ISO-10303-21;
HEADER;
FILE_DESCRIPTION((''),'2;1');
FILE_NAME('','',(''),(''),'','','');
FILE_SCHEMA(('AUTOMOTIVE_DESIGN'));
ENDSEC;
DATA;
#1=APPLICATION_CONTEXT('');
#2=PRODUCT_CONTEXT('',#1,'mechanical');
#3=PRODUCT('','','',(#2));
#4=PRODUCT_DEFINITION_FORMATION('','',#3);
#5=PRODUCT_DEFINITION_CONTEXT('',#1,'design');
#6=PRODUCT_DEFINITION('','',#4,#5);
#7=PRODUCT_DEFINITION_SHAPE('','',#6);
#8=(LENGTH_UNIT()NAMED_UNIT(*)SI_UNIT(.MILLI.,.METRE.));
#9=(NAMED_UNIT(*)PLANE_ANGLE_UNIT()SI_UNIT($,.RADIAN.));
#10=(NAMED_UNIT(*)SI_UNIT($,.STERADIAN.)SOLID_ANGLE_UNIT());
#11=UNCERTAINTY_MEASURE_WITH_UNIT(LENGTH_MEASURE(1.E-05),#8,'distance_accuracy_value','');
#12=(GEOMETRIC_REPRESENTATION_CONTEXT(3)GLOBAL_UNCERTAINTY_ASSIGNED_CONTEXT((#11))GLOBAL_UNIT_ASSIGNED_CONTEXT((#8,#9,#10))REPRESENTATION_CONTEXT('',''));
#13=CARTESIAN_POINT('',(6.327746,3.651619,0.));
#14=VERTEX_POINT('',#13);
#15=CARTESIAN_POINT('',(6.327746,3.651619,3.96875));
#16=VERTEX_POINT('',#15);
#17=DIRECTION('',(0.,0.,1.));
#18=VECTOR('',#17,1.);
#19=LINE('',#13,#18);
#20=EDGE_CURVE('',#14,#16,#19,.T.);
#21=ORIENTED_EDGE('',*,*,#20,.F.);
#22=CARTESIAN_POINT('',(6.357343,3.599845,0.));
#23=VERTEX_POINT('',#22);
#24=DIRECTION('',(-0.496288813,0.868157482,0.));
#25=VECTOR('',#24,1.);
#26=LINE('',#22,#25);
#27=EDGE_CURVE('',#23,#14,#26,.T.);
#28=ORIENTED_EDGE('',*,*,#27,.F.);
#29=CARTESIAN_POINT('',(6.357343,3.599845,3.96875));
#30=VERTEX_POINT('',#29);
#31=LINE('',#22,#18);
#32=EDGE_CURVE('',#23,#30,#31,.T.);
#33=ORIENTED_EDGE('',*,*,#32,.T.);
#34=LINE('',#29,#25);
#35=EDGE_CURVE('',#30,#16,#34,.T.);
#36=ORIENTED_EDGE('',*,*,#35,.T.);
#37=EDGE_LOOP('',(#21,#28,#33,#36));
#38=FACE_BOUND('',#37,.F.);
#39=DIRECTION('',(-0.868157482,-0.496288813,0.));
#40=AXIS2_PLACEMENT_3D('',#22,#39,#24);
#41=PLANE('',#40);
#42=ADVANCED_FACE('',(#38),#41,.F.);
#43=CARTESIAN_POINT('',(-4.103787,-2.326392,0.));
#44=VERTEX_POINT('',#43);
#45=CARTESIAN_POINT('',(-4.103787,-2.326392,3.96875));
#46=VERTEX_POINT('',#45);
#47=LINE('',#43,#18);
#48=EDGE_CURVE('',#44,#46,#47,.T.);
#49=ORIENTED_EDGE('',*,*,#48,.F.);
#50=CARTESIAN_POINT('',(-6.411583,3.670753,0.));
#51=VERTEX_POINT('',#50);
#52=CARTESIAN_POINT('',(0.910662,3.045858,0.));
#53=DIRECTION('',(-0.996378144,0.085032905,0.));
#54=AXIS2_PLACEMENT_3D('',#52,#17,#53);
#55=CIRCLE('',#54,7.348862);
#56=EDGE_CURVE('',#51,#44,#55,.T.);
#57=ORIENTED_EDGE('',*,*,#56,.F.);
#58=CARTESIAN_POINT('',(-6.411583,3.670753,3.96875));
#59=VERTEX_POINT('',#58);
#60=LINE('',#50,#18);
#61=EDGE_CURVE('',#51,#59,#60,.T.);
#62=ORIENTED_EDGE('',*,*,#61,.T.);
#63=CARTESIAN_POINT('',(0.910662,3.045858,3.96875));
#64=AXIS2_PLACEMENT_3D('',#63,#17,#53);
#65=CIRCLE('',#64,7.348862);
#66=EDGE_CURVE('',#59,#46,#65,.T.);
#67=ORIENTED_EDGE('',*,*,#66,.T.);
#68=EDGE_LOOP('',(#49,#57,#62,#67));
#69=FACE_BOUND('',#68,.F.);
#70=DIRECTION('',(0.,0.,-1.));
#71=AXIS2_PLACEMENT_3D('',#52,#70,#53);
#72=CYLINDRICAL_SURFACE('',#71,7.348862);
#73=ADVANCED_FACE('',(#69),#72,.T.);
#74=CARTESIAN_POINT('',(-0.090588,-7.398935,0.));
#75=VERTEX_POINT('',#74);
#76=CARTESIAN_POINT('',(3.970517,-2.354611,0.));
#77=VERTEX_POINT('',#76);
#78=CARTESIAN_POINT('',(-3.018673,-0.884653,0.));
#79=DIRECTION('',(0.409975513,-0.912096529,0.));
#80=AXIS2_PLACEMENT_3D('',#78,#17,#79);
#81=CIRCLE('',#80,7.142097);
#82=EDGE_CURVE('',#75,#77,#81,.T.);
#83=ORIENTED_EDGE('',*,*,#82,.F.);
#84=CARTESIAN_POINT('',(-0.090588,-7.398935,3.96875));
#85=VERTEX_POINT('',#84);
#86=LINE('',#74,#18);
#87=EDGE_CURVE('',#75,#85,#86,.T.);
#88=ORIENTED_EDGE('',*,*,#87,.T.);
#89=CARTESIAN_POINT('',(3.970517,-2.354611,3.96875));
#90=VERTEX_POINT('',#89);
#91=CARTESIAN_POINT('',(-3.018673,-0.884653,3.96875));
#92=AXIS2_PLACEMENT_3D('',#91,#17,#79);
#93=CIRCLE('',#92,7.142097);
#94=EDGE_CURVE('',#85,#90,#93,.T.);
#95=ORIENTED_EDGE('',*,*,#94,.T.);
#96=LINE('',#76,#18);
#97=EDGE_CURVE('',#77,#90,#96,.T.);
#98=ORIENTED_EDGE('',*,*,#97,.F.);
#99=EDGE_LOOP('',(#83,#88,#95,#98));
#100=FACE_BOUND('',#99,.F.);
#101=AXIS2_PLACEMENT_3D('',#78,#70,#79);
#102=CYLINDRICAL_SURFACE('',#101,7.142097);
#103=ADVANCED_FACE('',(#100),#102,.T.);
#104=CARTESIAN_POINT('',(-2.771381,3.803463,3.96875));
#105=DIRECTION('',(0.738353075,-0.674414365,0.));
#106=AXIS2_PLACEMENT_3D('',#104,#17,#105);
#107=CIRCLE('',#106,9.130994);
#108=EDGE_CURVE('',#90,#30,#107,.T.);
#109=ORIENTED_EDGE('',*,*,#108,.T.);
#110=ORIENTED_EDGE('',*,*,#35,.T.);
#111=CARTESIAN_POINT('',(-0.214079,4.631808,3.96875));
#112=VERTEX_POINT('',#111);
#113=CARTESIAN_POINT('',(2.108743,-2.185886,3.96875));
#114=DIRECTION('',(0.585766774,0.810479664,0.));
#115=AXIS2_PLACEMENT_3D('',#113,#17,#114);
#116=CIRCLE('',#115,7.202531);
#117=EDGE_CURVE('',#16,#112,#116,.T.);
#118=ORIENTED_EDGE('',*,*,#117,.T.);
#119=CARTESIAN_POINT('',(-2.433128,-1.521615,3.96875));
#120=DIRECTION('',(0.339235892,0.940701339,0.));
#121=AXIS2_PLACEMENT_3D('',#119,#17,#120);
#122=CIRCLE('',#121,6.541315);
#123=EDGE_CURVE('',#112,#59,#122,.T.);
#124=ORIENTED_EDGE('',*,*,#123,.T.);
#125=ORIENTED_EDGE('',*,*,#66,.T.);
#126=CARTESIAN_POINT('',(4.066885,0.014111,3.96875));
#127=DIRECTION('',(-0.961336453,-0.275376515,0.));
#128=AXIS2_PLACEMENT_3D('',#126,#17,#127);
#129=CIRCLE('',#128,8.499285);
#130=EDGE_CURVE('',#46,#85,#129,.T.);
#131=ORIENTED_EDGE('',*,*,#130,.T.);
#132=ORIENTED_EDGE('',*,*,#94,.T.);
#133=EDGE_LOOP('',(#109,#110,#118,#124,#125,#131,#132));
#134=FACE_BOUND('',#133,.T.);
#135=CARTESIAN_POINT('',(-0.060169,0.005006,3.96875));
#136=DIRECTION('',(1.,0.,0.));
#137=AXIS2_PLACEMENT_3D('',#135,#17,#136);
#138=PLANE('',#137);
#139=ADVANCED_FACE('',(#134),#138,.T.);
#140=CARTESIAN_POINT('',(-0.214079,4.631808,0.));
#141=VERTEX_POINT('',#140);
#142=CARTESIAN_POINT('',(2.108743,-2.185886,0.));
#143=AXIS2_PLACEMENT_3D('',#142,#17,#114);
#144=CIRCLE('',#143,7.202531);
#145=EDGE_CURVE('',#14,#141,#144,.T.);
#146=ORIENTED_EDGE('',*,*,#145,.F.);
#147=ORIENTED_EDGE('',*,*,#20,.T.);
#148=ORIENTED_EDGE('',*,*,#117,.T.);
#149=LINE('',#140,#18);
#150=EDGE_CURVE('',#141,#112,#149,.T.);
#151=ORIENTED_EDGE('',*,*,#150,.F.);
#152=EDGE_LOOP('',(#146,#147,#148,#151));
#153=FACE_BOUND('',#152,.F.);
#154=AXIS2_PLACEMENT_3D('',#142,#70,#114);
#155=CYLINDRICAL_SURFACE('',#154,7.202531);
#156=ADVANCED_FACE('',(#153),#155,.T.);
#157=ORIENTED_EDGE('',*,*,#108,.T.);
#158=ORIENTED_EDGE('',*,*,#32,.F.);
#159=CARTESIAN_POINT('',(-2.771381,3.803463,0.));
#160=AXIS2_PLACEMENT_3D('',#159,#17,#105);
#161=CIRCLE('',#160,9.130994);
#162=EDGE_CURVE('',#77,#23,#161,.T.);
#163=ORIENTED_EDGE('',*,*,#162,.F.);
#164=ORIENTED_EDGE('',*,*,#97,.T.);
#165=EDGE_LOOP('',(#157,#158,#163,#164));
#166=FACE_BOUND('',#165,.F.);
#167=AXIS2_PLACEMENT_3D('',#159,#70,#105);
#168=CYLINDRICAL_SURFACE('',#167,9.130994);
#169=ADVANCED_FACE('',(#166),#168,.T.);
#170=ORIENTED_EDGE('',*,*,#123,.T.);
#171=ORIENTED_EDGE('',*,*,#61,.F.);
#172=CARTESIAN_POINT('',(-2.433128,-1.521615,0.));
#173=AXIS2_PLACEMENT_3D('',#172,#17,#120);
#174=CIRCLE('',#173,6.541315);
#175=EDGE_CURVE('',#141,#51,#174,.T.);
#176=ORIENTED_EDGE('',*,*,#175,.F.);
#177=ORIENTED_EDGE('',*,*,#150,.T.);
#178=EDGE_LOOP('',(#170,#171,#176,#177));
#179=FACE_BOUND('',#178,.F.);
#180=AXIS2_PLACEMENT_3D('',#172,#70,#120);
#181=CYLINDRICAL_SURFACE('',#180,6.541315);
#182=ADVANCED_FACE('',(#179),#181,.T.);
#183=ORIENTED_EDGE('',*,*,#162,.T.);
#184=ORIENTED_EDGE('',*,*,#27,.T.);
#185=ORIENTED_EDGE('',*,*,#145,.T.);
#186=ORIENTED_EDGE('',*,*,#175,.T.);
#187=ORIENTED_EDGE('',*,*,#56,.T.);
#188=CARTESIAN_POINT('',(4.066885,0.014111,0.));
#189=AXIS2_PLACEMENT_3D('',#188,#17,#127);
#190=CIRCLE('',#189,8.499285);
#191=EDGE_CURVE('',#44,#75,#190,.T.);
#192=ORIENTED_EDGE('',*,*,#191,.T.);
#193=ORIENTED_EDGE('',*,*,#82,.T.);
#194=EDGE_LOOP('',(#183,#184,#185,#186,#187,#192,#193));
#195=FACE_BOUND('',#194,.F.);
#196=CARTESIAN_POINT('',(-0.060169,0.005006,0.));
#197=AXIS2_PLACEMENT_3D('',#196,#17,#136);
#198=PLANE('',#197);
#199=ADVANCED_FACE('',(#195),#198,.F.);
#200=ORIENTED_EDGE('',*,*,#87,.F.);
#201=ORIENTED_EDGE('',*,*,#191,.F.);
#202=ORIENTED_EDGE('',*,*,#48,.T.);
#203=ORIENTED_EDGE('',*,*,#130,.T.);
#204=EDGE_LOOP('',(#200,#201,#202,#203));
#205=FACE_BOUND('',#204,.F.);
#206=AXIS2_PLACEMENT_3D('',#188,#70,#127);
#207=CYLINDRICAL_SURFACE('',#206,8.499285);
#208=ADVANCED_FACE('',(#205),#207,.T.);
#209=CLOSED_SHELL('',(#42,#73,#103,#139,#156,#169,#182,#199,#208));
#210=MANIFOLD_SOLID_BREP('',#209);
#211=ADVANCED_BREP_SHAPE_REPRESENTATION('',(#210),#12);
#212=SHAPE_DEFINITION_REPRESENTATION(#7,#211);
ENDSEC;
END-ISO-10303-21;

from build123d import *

# Parameters (mm, degrees)
F1_DEPTH = 3.96875


with BuildPart() as f1:
    # F0 (on Top) → F1 (new body)
    with BuildSketch(Plane.XY):
        with BuildLine():
            Line((6.357343, 3.599845), (6.327746, 3.651619))
            ThreePointArc((6.327746, 3.651619), (3.176014, 4.937132), (-0.214079, 4.631808))
            ThreePointArc((-0.214079, 4.631808), (-3.435517, 4.94244), (-6.411583, 3.670753))
            ThreePointArc((-6.411583, 3.670753), (-5.947905, 0.406573), (-4.103787, -2.326392))
            ThreePointArc((-4.103787, -2.326392), (-2.598583, -5.259348), (-0.090588, -7.398935))
            ThreePointArc((-0.090588, -7.398935), (2.544544, -5.363511), (3.970517, -2.354611))
            ThreePointArc((3.970517, -2.354611), (5.704057, 0.406109), (6.357343, 3.599845))
        make_face()
    extrude(amount=F1_DEPTH)


solid = f1.part
